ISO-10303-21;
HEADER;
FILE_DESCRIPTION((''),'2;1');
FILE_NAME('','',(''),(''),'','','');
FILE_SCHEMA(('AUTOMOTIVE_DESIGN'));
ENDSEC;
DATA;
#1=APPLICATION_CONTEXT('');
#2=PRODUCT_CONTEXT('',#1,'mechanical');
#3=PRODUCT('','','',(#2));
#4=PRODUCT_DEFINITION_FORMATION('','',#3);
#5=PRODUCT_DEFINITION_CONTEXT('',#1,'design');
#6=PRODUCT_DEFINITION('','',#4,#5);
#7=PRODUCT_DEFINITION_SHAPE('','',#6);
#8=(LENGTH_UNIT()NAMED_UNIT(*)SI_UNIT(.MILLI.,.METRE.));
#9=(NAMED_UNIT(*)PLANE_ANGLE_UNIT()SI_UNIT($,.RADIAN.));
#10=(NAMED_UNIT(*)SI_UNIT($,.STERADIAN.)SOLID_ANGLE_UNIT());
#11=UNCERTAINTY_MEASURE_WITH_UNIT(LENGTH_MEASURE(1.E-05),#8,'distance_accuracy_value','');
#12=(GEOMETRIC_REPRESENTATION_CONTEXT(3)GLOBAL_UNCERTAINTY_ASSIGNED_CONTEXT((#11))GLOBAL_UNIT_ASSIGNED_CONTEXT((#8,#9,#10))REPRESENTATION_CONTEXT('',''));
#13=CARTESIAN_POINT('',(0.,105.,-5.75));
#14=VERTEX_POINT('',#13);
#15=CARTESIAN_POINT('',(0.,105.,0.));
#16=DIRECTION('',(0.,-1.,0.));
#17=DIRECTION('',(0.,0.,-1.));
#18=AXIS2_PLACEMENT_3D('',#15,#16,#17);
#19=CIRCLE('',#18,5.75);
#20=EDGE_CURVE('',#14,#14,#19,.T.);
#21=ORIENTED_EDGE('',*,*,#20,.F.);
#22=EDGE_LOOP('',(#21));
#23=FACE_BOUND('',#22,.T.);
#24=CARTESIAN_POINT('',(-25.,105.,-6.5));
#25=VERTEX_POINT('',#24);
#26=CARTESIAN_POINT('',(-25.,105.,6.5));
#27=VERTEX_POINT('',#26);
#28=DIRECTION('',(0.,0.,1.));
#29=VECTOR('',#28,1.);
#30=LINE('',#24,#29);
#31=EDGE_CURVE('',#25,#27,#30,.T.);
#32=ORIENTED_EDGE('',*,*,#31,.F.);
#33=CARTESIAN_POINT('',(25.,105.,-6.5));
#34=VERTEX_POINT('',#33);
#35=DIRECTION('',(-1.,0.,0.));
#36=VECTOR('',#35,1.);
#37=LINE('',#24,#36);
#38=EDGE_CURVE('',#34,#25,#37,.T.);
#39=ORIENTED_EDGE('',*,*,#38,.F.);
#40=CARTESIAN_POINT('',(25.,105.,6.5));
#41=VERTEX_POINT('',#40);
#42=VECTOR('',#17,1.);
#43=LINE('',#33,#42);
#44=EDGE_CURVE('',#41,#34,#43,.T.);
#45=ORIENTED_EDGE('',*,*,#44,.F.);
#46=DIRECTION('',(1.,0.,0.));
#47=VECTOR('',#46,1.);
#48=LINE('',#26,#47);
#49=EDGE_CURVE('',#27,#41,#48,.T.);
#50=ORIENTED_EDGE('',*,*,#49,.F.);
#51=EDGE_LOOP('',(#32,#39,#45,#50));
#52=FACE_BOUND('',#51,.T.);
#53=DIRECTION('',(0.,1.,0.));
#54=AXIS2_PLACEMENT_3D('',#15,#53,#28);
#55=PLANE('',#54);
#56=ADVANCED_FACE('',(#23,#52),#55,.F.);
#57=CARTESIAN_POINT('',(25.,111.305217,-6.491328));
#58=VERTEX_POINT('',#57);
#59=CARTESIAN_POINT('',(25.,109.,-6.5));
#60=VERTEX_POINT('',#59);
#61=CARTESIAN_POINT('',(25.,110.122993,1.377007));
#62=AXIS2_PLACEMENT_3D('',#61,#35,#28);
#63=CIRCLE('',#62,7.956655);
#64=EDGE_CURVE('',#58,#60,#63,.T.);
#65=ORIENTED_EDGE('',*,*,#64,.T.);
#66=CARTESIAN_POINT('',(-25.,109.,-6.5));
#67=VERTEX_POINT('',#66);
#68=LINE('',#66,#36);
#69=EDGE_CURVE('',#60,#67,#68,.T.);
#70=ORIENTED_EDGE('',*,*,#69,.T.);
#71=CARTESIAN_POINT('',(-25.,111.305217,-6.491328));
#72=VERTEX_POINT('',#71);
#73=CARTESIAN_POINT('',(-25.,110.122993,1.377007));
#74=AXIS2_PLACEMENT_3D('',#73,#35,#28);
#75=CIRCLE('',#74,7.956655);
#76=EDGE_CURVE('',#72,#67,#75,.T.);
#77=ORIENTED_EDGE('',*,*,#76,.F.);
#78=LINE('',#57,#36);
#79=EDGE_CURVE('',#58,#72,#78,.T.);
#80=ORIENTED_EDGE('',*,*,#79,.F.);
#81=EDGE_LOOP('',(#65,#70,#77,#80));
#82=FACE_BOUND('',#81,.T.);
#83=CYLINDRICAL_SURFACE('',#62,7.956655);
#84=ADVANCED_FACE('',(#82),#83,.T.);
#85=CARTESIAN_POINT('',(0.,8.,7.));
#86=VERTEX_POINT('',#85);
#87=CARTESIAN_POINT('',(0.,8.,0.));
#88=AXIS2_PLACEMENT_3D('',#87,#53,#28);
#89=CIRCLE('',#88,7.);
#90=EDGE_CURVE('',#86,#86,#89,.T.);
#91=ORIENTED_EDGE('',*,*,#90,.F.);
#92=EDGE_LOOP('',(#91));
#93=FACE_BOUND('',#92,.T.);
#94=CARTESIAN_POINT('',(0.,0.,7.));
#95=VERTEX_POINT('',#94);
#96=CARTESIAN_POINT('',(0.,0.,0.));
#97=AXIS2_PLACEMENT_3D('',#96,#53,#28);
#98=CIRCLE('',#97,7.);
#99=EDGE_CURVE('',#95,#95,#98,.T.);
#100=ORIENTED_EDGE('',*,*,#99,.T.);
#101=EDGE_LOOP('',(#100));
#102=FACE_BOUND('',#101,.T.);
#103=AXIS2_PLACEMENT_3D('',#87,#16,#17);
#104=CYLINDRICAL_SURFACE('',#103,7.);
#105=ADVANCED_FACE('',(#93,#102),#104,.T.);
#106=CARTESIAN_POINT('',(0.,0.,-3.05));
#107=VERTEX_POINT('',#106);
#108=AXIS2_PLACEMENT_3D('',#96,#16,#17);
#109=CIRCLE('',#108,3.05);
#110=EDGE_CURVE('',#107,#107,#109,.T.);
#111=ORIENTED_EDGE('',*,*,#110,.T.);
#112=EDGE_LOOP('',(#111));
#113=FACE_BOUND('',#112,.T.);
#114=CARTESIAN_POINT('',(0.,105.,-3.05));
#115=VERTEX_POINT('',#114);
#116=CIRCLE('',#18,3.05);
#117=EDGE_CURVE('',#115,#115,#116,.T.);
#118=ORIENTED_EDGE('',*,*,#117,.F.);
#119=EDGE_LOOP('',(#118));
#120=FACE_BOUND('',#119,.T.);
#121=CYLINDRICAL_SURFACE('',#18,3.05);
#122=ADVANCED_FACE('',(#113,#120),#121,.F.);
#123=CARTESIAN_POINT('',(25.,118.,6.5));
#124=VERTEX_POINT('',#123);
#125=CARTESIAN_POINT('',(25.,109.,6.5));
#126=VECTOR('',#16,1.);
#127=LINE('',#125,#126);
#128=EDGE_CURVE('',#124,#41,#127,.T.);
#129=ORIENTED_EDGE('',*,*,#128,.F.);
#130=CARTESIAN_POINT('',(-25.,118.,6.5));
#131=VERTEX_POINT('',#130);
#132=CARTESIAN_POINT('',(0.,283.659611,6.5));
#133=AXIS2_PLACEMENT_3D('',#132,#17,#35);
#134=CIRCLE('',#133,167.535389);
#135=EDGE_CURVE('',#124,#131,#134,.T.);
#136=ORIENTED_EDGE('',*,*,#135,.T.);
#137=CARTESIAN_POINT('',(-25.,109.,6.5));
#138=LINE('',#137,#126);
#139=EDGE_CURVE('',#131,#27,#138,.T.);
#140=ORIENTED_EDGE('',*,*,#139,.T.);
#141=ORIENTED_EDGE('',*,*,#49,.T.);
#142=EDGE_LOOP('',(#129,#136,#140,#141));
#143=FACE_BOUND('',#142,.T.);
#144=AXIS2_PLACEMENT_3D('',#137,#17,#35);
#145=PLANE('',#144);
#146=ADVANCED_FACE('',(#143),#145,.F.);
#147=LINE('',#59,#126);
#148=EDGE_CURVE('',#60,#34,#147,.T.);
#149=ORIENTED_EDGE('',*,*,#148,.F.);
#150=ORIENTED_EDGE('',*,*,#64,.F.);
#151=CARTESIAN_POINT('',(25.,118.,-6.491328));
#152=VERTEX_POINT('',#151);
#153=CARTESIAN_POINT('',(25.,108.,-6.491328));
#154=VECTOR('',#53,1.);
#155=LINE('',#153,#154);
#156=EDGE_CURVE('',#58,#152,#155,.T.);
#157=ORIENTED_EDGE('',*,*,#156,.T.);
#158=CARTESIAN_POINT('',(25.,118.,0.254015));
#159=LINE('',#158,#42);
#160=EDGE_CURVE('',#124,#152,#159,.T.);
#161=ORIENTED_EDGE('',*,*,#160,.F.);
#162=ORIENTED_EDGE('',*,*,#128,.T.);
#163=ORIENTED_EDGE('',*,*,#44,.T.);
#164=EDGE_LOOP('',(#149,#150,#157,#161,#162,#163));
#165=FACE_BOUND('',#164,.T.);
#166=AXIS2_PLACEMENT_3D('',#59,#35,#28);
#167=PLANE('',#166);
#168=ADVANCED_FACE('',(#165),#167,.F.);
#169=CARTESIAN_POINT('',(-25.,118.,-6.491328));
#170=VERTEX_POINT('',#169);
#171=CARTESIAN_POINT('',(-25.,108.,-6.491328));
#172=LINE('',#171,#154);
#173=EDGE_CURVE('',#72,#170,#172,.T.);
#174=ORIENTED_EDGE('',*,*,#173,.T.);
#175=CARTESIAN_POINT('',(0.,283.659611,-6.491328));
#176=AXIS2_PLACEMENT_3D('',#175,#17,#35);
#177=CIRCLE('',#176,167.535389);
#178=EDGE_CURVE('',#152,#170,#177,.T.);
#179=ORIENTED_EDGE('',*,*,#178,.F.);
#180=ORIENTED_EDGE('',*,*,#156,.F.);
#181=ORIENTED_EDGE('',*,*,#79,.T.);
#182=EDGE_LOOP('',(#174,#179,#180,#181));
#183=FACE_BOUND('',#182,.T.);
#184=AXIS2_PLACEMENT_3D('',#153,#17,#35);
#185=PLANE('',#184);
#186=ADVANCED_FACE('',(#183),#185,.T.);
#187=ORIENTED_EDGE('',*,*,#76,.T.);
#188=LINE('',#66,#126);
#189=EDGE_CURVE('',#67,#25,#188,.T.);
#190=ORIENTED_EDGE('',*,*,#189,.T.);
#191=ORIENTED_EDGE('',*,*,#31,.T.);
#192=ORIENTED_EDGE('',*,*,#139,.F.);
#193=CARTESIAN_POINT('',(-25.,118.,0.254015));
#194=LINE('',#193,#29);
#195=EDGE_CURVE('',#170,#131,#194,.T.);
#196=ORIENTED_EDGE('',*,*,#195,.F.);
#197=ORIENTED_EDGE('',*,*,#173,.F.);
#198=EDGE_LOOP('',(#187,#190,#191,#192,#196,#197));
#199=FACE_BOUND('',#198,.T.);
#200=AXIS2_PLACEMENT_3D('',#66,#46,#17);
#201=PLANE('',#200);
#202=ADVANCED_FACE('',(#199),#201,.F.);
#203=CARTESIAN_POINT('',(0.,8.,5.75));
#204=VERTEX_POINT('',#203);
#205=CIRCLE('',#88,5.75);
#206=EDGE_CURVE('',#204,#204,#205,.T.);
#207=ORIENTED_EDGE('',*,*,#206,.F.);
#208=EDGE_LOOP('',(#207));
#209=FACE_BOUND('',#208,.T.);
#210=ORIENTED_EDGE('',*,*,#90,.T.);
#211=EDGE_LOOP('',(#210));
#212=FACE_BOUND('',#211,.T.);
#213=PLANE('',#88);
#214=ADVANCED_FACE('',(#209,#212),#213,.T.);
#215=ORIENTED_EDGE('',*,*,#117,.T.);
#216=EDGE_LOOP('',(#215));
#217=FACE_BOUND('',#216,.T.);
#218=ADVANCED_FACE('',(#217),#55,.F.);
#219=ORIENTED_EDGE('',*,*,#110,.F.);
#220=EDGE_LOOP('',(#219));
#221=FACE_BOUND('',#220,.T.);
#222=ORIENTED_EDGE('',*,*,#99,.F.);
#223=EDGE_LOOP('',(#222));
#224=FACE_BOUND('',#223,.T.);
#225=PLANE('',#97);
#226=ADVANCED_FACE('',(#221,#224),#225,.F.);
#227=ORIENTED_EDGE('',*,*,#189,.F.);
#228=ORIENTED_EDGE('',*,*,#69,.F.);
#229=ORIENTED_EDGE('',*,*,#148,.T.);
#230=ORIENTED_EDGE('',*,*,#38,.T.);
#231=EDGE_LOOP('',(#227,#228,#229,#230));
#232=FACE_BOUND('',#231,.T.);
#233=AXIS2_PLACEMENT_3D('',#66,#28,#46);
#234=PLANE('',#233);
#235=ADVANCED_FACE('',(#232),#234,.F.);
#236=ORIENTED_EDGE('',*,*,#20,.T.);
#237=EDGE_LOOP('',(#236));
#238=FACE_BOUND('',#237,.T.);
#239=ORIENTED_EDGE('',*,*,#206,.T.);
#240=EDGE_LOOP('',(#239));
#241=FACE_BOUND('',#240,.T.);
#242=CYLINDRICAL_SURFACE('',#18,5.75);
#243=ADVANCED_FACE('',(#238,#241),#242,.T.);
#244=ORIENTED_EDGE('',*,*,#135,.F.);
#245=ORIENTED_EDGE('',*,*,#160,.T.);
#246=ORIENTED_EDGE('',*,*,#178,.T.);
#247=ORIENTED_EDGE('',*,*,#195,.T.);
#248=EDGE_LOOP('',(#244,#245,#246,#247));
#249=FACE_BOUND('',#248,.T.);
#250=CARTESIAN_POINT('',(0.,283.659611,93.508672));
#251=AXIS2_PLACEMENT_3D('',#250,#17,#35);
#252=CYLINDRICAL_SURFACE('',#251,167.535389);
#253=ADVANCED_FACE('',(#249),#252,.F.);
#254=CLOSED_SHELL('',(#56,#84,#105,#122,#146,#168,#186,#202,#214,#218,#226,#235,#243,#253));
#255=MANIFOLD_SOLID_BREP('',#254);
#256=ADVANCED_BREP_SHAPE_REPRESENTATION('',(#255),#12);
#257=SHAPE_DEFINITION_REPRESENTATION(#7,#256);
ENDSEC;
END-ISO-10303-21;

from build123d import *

# Parameters (mm, degrees)
SKETCH1_R            = 7
SKETCH1_R_2          = 4
BOSS_EXTRUDE1_DEPTH  = 8
SKETCH1_3_R          = 4.75
SKETCH1_3_R_2        = 4
BOSS_EXTRUDE2_DEPTH  = 80
SKETCH3_R            = 5.75
SKETCH3_R_2          = 3.05
BOSS_EXTRUDE3_DEPTH  = 105
SKETCH8_W            = 50
SKETCH8_H            = 13
BOSS_EXTRUDE8_DEPTH  = 4
SKETCH9_W            = 50
SKETCH9_H            = 6.245985434
BOSS_EXTRUDE9_DEPTH  = 9
BOSS_EXTRUDE10_DEPTH = 50
SKETCH11_W           = 50
SKETCH11_H           = 12.98265639
BOSS_EXTRUDE11_DEPTH = 10
CUT_EXTRUDE1_DEPTH   = 100


with BuildPart() as part:
    # Sketch1 → Boss-Extrude1 (new body)
    with BuildSketch(Plane(origin=(0, 0, 0), x_dir=(1, 0, 0), z_dir=(0, 1, 0))):
        Circle(SKETCH1_R)
        Circle(SKETCH1_R_2, mode=Mode.SUBTRACT)
    extrude(amount=BOSS_EXTRUDE1_DEPTH)

    # Sketch1<3> → Boss-Extrude2 (add)
    with BuildSketch(Plane(origin=(0, 0, 0), x_dir=(1, 0, 0), z_dir=(0, 1, 0))):
        Circle(SKETCH1_3_R)
        Circle(SKETCH1_3_R_2, mode=Mode.SUBTRACT)
    extrude(amount=BOSS_EXTRUDE2_DEPTH)

    # Sketch3 → Boss-Extrude3 (add)
    with BuildSketch(Plane.XZ):
        Circle(SKETCH3_R)
        Circle(SKETCH3_R_2, mode=Mode.SUBTRACT)
    extrude(amount=-BOSS_EXTRUDE3_DEPTH)

    # Sketch8 → Boss-Extrude8 (add)
    with BuildSketch(Plane(origin=(0, 105, 0), x_dir=(1, 0, 0), z_dir=(0, 1, 0))):
        Rectangle(SKETCH8_W, SKETCH8_H)
    extrude(amount=BOSS_EXTRUDE8_DEPTH)

    # Sketch9 → Boss-Extrude9 (add)
    with BuildSketch(Plane(origin=(0, 109, 0), x_dir=(1, 0, 0), z_dir=(0, 1, 0))):
        with Locations((0, -3.377007283)):
            Rectangle(SKETCH9_W, SKETCH9_H)
    extrude(amount=BOSS_EXTRUDE9_DEPTH)

    # Sketch10 → Boss-Extrude10 (add)
    with BuildSketch(Plane.ZY.offset(25)):
        with BuildLine():
            Line((0.254014566, 118), (0.254014566, 109))
            Line((0.254014566, 109), (-6.5, 109))
            ThreePointArc((-6.5, 109), (-4.986953748, 114.898802217), (0.254014566, 118))
        make_face()
    extrude(amount=-BOSS_EXTRUDE10_DEPTH)

    # Sketch11 → Boss-Extrude11 (add)
    with BuildSketch(Plane(origin=(0, 118, 0), x_dir=(1, 0, 0), z_dir=(0, 1, 0))):
        Rectangle(SKETCH11_W, SKETCH11_H)
    extrude(amount=-BOSS_EXTRUDE11_DEPTH)

    # Sketch12 → Cut-Extrude1 (cut)
    with BuildSketch(Plane(origin=(0, 0, -6.491328195), x_dir=(-1, 0, 0), z_dir=(0, 0, -1))):
        with BuildLine():
            Line((-25, 118), (25, 118))
            ThreePointArc((25, 118), (0, 116.124221553), (-25, 118))
        make_face()
    extrude(amount=-CUT_EXTRUDE1_DEPTH, mode=Mode.SUBTRACT)


solid = part.part
